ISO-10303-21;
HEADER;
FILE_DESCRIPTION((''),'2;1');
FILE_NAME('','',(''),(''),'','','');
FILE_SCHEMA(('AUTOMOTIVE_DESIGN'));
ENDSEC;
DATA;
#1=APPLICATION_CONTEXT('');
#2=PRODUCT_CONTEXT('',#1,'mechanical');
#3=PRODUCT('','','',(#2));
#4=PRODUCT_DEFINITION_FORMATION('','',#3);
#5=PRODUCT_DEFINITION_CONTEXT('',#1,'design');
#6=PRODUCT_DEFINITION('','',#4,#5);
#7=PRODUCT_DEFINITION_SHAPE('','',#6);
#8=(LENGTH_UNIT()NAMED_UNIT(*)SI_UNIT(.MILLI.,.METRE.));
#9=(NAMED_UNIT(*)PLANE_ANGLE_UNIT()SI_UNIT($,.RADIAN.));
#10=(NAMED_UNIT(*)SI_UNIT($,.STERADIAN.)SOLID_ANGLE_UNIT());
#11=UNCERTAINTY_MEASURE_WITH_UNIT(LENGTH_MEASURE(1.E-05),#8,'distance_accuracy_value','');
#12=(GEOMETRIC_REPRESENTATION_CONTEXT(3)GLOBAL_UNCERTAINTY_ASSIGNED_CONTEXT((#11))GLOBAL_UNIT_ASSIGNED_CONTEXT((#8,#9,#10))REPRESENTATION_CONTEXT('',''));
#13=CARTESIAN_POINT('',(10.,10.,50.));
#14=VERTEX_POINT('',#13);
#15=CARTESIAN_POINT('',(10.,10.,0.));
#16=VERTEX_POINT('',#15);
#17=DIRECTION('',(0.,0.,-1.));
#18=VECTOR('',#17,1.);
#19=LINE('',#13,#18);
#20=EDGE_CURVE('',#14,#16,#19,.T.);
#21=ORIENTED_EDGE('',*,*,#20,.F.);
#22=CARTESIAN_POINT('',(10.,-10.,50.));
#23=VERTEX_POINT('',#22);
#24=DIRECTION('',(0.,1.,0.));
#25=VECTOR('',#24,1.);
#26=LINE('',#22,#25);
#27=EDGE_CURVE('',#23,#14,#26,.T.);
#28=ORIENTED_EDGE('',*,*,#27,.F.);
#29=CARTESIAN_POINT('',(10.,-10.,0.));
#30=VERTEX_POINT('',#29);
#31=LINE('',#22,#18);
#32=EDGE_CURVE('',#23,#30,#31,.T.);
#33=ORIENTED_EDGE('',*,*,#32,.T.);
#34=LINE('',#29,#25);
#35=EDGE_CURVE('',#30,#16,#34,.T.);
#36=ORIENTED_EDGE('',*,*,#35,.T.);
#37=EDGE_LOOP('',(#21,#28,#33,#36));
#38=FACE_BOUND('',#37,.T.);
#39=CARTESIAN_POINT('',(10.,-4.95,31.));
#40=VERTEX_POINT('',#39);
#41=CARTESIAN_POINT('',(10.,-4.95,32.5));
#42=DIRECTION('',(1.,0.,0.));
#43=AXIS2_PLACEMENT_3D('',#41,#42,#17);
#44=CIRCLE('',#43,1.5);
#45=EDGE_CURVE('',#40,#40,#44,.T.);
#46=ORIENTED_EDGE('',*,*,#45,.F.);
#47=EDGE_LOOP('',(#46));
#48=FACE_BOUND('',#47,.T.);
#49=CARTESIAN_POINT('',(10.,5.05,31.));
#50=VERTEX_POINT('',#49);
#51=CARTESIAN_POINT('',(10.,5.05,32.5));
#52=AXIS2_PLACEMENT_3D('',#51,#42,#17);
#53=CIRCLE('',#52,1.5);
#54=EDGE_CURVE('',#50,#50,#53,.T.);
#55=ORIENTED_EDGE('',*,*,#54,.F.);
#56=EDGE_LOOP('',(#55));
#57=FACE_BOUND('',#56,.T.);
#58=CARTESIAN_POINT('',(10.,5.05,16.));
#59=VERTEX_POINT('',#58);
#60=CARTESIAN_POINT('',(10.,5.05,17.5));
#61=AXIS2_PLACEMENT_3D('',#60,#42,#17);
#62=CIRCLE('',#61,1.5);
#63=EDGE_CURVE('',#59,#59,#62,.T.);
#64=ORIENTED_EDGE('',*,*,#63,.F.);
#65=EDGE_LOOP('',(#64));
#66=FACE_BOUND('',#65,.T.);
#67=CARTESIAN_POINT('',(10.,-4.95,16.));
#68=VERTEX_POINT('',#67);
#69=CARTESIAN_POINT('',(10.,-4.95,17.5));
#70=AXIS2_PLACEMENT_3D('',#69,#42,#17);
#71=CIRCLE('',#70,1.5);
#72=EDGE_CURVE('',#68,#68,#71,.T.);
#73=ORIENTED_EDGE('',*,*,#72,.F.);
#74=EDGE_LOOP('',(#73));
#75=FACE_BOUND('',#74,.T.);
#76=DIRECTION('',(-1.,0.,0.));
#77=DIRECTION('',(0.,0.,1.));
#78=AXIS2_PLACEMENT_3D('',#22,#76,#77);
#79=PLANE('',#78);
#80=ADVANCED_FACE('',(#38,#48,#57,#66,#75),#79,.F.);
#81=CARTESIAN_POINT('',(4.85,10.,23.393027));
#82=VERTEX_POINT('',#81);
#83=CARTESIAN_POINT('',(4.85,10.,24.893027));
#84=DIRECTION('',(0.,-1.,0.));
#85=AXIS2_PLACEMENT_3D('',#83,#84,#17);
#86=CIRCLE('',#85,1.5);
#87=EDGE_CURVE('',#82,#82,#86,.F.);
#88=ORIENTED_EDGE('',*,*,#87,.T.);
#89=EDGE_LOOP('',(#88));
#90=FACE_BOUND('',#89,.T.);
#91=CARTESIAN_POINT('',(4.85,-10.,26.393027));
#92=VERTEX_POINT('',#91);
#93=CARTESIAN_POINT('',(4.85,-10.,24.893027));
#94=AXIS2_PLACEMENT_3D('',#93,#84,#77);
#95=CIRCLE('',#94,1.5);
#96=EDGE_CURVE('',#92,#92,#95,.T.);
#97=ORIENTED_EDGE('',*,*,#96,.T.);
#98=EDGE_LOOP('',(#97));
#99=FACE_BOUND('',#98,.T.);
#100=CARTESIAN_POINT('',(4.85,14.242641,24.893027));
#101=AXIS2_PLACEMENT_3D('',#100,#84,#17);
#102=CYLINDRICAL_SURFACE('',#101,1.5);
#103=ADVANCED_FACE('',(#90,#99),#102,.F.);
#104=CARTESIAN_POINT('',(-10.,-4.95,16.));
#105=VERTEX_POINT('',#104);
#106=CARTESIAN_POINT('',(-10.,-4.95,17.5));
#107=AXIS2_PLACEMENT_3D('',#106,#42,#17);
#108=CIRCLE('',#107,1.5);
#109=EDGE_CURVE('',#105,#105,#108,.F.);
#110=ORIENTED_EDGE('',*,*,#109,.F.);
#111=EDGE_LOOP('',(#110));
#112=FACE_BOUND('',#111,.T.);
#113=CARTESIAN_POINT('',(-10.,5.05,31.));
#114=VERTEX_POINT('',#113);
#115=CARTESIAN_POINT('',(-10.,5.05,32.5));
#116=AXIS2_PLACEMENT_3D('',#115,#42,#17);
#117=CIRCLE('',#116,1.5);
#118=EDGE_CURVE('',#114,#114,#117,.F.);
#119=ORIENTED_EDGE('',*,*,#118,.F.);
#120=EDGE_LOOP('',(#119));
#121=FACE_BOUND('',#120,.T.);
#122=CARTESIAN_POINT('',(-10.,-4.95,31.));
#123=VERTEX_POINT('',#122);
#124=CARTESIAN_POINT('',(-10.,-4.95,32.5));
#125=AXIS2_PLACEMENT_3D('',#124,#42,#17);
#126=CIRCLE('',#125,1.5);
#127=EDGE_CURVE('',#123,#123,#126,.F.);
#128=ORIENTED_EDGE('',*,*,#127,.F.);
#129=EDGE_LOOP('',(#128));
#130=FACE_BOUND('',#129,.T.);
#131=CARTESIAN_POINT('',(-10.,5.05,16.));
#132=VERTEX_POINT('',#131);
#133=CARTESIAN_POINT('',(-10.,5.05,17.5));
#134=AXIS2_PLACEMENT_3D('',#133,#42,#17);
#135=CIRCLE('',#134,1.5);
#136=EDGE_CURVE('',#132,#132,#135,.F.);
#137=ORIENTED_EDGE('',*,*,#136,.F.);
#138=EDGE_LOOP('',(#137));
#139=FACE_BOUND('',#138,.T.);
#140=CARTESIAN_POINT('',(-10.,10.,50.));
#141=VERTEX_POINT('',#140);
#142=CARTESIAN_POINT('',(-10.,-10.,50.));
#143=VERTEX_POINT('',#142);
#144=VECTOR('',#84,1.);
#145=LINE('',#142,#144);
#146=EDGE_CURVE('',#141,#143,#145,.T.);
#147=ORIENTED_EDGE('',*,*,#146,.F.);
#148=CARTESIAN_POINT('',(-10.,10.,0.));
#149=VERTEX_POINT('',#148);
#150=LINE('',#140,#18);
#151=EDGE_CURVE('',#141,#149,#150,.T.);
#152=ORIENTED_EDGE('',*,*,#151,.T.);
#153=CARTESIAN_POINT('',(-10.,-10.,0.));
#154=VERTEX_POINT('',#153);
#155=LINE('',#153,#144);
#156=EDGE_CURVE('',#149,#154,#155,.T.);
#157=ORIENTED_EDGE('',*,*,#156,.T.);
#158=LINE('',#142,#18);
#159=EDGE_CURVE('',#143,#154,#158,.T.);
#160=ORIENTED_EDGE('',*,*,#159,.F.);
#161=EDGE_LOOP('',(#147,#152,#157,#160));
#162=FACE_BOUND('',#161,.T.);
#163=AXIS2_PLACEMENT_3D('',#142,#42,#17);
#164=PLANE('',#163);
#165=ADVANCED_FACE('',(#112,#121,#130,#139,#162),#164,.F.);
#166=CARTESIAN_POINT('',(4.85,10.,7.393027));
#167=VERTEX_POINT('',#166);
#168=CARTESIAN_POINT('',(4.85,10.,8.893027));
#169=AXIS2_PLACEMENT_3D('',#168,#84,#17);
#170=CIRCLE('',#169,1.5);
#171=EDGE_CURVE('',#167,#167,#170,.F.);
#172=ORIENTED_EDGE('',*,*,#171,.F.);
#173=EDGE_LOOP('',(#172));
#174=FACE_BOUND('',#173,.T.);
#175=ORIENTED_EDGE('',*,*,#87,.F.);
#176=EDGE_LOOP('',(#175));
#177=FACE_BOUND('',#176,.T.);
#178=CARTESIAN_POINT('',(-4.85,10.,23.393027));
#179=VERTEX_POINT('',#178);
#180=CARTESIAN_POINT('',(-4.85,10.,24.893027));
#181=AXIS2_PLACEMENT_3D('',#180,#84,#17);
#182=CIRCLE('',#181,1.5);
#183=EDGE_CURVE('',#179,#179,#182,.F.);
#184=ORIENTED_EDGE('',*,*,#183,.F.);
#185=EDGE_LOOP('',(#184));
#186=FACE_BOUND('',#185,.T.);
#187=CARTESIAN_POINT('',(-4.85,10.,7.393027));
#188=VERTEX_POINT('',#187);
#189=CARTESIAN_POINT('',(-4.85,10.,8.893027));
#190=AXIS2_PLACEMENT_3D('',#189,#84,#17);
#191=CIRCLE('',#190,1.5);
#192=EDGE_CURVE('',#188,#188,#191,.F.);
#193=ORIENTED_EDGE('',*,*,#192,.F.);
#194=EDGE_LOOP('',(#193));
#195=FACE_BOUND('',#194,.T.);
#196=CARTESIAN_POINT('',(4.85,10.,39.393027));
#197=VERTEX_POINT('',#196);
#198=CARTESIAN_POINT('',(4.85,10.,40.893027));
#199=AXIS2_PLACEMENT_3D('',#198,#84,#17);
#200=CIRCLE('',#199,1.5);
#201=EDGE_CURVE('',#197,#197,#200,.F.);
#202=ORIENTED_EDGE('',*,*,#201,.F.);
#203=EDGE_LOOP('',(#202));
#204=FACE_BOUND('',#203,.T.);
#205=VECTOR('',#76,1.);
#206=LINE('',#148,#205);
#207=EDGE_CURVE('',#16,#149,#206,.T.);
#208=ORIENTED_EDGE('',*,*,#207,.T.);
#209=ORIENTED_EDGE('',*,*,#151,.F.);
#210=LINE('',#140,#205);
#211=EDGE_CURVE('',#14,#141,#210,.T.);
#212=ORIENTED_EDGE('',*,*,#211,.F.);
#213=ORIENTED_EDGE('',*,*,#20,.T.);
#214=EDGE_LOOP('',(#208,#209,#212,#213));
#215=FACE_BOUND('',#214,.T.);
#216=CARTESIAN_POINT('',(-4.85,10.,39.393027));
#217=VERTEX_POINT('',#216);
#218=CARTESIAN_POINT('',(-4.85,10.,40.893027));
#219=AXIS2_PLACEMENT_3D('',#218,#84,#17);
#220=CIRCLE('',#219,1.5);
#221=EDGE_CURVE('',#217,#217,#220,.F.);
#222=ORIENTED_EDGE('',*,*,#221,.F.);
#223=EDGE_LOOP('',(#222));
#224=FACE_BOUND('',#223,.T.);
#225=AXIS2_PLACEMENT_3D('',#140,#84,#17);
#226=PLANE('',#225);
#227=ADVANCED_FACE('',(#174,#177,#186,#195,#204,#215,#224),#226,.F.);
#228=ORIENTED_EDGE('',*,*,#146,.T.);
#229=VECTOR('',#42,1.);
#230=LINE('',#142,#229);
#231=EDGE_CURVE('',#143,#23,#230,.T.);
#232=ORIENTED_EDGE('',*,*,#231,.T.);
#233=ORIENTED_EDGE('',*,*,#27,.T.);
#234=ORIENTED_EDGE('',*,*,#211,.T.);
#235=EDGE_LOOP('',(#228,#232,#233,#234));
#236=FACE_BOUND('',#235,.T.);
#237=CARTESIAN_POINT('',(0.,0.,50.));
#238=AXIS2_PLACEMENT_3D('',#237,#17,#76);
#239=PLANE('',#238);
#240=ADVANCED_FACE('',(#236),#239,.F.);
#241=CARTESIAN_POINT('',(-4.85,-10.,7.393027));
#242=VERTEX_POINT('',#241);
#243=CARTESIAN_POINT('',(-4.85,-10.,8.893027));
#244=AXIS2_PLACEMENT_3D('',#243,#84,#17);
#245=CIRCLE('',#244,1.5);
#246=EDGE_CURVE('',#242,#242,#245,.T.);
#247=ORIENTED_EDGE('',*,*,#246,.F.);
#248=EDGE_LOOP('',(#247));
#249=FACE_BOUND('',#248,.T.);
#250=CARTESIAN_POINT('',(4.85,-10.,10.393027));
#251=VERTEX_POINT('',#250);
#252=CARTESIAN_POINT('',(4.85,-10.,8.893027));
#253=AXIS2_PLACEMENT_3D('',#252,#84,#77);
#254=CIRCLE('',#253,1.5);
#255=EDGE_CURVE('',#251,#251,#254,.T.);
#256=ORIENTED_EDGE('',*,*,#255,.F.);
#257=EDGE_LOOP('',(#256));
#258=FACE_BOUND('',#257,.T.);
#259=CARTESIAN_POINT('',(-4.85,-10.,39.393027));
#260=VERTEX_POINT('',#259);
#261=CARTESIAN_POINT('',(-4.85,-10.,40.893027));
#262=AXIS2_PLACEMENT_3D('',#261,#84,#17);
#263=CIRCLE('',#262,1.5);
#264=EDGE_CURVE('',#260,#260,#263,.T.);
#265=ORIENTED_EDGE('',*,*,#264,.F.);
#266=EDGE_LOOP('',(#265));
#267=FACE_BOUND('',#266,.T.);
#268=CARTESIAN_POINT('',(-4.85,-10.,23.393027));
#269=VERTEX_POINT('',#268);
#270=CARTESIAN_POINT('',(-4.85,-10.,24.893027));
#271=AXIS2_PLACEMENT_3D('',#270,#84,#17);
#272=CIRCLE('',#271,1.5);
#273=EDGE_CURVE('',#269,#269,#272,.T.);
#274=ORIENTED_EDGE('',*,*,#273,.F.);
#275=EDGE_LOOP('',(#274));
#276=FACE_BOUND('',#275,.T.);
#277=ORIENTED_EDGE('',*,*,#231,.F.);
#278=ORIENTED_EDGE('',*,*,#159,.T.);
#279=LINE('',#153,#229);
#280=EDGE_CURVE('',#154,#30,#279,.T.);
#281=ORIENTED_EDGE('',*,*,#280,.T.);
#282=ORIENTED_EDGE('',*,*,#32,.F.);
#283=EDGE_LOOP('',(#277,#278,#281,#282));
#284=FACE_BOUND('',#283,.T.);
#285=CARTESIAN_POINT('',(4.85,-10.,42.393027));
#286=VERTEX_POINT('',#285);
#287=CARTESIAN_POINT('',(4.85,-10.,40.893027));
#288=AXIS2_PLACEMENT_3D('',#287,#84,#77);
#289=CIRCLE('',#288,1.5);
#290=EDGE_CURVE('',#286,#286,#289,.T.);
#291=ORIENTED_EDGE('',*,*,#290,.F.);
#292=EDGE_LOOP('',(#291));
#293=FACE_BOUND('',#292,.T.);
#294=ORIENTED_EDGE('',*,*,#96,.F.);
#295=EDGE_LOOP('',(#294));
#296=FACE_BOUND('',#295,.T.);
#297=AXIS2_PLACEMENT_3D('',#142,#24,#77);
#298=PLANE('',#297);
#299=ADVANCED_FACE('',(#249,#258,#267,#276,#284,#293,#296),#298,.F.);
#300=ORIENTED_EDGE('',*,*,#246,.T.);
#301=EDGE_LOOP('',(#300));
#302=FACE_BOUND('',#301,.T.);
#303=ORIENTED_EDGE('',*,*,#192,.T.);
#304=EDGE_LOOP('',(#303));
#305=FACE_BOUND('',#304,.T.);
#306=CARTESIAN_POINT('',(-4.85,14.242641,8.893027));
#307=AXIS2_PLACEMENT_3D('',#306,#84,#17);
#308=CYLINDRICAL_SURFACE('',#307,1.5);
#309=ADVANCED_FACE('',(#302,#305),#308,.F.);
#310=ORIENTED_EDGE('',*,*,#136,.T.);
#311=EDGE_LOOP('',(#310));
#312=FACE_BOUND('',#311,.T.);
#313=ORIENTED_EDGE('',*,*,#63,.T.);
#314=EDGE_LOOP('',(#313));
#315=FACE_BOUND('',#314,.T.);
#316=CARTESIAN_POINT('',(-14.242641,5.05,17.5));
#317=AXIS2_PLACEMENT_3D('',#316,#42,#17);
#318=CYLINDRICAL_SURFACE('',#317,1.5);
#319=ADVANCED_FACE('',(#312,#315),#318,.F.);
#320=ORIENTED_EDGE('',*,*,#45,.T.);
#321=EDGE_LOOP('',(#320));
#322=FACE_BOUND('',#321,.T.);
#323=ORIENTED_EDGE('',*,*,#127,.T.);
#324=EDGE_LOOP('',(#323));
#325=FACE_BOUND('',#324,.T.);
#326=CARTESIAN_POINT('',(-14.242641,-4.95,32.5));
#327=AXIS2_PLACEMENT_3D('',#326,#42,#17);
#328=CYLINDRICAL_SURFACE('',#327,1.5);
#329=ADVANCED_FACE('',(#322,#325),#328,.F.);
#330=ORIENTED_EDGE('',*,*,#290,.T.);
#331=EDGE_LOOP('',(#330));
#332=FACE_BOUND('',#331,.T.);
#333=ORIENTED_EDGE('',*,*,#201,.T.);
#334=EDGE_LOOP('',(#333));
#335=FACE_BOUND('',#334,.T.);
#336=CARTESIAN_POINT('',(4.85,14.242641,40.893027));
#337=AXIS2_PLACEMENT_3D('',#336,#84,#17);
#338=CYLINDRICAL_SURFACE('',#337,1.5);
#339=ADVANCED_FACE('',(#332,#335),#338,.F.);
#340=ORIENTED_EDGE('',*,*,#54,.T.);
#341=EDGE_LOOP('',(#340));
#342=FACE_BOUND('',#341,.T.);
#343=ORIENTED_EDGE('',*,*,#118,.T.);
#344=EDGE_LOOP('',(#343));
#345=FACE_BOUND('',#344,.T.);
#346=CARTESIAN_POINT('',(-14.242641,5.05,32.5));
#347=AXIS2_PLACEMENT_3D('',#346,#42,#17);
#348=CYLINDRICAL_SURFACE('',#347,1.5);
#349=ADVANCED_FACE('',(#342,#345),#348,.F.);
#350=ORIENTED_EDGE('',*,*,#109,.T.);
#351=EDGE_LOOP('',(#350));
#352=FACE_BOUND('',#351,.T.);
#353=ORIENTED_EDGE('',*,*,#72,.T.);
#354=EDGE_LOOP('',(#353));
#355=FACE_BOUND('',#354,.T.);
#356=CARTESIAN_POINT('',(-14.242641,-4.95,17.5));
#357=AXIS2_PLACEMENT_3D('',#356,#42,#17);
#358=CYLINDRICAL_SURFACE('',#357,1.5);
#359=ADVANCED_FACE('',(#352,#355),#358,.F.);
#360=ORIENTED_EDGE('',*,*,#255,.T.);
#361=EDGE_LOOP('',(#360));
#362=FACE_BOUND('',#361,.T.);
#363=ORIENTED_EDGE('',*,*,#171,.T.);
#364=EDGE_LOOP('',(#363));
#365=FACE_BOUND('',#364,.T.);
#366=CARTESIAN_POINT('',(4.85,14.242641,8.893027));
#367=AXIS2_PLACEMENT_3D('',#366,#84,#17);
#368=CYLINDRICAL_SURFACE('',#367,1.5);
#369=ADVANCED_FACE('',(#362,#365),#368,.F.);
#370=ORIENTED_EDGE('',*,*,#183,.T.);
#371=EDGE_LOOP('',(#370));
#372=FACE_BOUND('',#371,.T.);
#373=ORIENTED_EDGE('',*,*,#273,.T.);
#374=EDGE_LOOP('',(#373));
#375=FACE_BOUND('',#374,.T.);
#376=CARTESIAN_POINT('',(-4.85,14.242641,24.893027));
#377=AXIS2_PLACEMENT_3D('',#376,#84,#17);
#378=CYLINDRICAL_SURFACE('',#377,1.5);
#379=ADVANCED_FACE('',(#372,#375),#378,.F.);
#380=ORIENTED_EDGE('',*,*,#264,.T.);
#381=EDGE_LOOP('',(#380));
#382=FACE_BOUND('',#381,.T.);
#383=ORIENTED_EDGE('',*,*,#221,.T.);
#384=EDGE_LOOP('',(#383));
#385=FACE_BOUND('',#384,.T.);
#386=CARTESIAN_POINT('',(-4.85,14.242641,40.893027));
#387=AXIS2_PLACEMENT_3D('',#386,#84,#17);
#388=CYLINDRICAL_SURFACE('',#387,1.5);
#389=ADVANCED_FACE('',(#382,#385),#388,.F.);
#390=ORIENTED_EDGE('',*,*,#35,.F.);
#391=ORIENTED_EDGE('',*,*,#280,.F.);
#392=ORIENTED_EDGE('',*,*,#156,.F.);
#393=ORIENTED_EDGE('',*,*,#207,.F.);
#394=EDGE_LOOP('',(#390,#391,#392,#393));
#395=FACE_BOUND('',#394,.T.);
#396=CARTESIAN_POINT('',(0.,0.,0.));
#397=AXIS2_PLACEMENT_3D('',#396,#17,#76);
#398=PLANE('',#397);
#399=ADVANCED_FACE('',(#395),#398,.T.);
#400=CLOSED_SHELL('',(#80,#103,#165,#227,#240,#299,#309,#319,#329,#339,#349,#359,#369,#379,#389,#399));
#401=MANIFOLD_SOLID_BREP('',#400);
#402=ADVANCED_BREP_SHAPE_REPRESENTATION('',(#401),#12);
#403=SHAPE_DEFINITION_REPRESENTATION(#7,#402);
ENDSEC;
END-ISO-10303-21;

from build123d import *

# Parameters (mm, degrees)
SKETCH_1_W          = 20
SKETCH_1_H          = 20
EXTRUDE_1_DEPTH     = 50
SKETCH_2_R          = 1.5
CUT_EXTRUDE_1_DEPTH = 20
SKETCH_4_R          = 1.5
CUT_EXTRUDE_3_DEPTH = 20


with BuildPart() as part:
    # 草图1 → 凸台-拉伸1 (new body)
    with BuildSketch(Plane.XY):
        Rectangle(SKETCH_1_W, SKETCH_1_H)
    extrude(amount=EXTRUDE_1_DEPTH)

    # 草图2 → 切除-拉伸1 (cut)
    with BuildSketch(Plane(origin=(10, 0, 0), x_dir=(0, 0, -1), z_dir=(1, 0, 0))):
        with Locations((-32.5, 5.05)):
            Circle(SKETCH_2_R)
        with Locations((-17.5, 5.05)):
            Circle(SKETCH_2_R)
        with Locations((-32.5, -4.95)):
            Circle(SKETCH_2_R)
        with Locations((-17.5, -4.95)):
            Circle(SKETCH_2_R)
    extrude(amount=-CUT_EXTRUDE_1_DEPTH, mode=Mode.SUBTRACT)

    # 草图4 → 切除-拉伸3 (cut)
    with BuildSketch(Plane.XZ.offset(10)):
        with Locations(Location((-4.85, 40.893026958, 0), (0, 0, 270))):
            Circle(SKETCH_4_R)
        with Locations(Location((-4.85, 24.893026958, 0), (0, 0, 270))):
            Circle(SKETCH_4_R)
        with Locations(Location((-4.85, 8.893026958, 0), (0, 0, 270))):
            Circle(SKETCH_4_R)
        with Locations(Location((4.85, 8.893026958, 0), (0, 0, 270))):
            Circle(SKETCH_4_R)
        with Locations(Location((4.85, 24.893026958, 0), (0, 0, 270))):
            Circle(SKETCH_4_R)
        with Locations(Location((4.85, 40.893026958, 0), (0, 0, 270))):
            Circle(SKETCH_4_R)
    extrude(amount=-CUT_EXTRUDE_3_DEPTH, mode=Mode.SUBTRACT)


solid = part.part
